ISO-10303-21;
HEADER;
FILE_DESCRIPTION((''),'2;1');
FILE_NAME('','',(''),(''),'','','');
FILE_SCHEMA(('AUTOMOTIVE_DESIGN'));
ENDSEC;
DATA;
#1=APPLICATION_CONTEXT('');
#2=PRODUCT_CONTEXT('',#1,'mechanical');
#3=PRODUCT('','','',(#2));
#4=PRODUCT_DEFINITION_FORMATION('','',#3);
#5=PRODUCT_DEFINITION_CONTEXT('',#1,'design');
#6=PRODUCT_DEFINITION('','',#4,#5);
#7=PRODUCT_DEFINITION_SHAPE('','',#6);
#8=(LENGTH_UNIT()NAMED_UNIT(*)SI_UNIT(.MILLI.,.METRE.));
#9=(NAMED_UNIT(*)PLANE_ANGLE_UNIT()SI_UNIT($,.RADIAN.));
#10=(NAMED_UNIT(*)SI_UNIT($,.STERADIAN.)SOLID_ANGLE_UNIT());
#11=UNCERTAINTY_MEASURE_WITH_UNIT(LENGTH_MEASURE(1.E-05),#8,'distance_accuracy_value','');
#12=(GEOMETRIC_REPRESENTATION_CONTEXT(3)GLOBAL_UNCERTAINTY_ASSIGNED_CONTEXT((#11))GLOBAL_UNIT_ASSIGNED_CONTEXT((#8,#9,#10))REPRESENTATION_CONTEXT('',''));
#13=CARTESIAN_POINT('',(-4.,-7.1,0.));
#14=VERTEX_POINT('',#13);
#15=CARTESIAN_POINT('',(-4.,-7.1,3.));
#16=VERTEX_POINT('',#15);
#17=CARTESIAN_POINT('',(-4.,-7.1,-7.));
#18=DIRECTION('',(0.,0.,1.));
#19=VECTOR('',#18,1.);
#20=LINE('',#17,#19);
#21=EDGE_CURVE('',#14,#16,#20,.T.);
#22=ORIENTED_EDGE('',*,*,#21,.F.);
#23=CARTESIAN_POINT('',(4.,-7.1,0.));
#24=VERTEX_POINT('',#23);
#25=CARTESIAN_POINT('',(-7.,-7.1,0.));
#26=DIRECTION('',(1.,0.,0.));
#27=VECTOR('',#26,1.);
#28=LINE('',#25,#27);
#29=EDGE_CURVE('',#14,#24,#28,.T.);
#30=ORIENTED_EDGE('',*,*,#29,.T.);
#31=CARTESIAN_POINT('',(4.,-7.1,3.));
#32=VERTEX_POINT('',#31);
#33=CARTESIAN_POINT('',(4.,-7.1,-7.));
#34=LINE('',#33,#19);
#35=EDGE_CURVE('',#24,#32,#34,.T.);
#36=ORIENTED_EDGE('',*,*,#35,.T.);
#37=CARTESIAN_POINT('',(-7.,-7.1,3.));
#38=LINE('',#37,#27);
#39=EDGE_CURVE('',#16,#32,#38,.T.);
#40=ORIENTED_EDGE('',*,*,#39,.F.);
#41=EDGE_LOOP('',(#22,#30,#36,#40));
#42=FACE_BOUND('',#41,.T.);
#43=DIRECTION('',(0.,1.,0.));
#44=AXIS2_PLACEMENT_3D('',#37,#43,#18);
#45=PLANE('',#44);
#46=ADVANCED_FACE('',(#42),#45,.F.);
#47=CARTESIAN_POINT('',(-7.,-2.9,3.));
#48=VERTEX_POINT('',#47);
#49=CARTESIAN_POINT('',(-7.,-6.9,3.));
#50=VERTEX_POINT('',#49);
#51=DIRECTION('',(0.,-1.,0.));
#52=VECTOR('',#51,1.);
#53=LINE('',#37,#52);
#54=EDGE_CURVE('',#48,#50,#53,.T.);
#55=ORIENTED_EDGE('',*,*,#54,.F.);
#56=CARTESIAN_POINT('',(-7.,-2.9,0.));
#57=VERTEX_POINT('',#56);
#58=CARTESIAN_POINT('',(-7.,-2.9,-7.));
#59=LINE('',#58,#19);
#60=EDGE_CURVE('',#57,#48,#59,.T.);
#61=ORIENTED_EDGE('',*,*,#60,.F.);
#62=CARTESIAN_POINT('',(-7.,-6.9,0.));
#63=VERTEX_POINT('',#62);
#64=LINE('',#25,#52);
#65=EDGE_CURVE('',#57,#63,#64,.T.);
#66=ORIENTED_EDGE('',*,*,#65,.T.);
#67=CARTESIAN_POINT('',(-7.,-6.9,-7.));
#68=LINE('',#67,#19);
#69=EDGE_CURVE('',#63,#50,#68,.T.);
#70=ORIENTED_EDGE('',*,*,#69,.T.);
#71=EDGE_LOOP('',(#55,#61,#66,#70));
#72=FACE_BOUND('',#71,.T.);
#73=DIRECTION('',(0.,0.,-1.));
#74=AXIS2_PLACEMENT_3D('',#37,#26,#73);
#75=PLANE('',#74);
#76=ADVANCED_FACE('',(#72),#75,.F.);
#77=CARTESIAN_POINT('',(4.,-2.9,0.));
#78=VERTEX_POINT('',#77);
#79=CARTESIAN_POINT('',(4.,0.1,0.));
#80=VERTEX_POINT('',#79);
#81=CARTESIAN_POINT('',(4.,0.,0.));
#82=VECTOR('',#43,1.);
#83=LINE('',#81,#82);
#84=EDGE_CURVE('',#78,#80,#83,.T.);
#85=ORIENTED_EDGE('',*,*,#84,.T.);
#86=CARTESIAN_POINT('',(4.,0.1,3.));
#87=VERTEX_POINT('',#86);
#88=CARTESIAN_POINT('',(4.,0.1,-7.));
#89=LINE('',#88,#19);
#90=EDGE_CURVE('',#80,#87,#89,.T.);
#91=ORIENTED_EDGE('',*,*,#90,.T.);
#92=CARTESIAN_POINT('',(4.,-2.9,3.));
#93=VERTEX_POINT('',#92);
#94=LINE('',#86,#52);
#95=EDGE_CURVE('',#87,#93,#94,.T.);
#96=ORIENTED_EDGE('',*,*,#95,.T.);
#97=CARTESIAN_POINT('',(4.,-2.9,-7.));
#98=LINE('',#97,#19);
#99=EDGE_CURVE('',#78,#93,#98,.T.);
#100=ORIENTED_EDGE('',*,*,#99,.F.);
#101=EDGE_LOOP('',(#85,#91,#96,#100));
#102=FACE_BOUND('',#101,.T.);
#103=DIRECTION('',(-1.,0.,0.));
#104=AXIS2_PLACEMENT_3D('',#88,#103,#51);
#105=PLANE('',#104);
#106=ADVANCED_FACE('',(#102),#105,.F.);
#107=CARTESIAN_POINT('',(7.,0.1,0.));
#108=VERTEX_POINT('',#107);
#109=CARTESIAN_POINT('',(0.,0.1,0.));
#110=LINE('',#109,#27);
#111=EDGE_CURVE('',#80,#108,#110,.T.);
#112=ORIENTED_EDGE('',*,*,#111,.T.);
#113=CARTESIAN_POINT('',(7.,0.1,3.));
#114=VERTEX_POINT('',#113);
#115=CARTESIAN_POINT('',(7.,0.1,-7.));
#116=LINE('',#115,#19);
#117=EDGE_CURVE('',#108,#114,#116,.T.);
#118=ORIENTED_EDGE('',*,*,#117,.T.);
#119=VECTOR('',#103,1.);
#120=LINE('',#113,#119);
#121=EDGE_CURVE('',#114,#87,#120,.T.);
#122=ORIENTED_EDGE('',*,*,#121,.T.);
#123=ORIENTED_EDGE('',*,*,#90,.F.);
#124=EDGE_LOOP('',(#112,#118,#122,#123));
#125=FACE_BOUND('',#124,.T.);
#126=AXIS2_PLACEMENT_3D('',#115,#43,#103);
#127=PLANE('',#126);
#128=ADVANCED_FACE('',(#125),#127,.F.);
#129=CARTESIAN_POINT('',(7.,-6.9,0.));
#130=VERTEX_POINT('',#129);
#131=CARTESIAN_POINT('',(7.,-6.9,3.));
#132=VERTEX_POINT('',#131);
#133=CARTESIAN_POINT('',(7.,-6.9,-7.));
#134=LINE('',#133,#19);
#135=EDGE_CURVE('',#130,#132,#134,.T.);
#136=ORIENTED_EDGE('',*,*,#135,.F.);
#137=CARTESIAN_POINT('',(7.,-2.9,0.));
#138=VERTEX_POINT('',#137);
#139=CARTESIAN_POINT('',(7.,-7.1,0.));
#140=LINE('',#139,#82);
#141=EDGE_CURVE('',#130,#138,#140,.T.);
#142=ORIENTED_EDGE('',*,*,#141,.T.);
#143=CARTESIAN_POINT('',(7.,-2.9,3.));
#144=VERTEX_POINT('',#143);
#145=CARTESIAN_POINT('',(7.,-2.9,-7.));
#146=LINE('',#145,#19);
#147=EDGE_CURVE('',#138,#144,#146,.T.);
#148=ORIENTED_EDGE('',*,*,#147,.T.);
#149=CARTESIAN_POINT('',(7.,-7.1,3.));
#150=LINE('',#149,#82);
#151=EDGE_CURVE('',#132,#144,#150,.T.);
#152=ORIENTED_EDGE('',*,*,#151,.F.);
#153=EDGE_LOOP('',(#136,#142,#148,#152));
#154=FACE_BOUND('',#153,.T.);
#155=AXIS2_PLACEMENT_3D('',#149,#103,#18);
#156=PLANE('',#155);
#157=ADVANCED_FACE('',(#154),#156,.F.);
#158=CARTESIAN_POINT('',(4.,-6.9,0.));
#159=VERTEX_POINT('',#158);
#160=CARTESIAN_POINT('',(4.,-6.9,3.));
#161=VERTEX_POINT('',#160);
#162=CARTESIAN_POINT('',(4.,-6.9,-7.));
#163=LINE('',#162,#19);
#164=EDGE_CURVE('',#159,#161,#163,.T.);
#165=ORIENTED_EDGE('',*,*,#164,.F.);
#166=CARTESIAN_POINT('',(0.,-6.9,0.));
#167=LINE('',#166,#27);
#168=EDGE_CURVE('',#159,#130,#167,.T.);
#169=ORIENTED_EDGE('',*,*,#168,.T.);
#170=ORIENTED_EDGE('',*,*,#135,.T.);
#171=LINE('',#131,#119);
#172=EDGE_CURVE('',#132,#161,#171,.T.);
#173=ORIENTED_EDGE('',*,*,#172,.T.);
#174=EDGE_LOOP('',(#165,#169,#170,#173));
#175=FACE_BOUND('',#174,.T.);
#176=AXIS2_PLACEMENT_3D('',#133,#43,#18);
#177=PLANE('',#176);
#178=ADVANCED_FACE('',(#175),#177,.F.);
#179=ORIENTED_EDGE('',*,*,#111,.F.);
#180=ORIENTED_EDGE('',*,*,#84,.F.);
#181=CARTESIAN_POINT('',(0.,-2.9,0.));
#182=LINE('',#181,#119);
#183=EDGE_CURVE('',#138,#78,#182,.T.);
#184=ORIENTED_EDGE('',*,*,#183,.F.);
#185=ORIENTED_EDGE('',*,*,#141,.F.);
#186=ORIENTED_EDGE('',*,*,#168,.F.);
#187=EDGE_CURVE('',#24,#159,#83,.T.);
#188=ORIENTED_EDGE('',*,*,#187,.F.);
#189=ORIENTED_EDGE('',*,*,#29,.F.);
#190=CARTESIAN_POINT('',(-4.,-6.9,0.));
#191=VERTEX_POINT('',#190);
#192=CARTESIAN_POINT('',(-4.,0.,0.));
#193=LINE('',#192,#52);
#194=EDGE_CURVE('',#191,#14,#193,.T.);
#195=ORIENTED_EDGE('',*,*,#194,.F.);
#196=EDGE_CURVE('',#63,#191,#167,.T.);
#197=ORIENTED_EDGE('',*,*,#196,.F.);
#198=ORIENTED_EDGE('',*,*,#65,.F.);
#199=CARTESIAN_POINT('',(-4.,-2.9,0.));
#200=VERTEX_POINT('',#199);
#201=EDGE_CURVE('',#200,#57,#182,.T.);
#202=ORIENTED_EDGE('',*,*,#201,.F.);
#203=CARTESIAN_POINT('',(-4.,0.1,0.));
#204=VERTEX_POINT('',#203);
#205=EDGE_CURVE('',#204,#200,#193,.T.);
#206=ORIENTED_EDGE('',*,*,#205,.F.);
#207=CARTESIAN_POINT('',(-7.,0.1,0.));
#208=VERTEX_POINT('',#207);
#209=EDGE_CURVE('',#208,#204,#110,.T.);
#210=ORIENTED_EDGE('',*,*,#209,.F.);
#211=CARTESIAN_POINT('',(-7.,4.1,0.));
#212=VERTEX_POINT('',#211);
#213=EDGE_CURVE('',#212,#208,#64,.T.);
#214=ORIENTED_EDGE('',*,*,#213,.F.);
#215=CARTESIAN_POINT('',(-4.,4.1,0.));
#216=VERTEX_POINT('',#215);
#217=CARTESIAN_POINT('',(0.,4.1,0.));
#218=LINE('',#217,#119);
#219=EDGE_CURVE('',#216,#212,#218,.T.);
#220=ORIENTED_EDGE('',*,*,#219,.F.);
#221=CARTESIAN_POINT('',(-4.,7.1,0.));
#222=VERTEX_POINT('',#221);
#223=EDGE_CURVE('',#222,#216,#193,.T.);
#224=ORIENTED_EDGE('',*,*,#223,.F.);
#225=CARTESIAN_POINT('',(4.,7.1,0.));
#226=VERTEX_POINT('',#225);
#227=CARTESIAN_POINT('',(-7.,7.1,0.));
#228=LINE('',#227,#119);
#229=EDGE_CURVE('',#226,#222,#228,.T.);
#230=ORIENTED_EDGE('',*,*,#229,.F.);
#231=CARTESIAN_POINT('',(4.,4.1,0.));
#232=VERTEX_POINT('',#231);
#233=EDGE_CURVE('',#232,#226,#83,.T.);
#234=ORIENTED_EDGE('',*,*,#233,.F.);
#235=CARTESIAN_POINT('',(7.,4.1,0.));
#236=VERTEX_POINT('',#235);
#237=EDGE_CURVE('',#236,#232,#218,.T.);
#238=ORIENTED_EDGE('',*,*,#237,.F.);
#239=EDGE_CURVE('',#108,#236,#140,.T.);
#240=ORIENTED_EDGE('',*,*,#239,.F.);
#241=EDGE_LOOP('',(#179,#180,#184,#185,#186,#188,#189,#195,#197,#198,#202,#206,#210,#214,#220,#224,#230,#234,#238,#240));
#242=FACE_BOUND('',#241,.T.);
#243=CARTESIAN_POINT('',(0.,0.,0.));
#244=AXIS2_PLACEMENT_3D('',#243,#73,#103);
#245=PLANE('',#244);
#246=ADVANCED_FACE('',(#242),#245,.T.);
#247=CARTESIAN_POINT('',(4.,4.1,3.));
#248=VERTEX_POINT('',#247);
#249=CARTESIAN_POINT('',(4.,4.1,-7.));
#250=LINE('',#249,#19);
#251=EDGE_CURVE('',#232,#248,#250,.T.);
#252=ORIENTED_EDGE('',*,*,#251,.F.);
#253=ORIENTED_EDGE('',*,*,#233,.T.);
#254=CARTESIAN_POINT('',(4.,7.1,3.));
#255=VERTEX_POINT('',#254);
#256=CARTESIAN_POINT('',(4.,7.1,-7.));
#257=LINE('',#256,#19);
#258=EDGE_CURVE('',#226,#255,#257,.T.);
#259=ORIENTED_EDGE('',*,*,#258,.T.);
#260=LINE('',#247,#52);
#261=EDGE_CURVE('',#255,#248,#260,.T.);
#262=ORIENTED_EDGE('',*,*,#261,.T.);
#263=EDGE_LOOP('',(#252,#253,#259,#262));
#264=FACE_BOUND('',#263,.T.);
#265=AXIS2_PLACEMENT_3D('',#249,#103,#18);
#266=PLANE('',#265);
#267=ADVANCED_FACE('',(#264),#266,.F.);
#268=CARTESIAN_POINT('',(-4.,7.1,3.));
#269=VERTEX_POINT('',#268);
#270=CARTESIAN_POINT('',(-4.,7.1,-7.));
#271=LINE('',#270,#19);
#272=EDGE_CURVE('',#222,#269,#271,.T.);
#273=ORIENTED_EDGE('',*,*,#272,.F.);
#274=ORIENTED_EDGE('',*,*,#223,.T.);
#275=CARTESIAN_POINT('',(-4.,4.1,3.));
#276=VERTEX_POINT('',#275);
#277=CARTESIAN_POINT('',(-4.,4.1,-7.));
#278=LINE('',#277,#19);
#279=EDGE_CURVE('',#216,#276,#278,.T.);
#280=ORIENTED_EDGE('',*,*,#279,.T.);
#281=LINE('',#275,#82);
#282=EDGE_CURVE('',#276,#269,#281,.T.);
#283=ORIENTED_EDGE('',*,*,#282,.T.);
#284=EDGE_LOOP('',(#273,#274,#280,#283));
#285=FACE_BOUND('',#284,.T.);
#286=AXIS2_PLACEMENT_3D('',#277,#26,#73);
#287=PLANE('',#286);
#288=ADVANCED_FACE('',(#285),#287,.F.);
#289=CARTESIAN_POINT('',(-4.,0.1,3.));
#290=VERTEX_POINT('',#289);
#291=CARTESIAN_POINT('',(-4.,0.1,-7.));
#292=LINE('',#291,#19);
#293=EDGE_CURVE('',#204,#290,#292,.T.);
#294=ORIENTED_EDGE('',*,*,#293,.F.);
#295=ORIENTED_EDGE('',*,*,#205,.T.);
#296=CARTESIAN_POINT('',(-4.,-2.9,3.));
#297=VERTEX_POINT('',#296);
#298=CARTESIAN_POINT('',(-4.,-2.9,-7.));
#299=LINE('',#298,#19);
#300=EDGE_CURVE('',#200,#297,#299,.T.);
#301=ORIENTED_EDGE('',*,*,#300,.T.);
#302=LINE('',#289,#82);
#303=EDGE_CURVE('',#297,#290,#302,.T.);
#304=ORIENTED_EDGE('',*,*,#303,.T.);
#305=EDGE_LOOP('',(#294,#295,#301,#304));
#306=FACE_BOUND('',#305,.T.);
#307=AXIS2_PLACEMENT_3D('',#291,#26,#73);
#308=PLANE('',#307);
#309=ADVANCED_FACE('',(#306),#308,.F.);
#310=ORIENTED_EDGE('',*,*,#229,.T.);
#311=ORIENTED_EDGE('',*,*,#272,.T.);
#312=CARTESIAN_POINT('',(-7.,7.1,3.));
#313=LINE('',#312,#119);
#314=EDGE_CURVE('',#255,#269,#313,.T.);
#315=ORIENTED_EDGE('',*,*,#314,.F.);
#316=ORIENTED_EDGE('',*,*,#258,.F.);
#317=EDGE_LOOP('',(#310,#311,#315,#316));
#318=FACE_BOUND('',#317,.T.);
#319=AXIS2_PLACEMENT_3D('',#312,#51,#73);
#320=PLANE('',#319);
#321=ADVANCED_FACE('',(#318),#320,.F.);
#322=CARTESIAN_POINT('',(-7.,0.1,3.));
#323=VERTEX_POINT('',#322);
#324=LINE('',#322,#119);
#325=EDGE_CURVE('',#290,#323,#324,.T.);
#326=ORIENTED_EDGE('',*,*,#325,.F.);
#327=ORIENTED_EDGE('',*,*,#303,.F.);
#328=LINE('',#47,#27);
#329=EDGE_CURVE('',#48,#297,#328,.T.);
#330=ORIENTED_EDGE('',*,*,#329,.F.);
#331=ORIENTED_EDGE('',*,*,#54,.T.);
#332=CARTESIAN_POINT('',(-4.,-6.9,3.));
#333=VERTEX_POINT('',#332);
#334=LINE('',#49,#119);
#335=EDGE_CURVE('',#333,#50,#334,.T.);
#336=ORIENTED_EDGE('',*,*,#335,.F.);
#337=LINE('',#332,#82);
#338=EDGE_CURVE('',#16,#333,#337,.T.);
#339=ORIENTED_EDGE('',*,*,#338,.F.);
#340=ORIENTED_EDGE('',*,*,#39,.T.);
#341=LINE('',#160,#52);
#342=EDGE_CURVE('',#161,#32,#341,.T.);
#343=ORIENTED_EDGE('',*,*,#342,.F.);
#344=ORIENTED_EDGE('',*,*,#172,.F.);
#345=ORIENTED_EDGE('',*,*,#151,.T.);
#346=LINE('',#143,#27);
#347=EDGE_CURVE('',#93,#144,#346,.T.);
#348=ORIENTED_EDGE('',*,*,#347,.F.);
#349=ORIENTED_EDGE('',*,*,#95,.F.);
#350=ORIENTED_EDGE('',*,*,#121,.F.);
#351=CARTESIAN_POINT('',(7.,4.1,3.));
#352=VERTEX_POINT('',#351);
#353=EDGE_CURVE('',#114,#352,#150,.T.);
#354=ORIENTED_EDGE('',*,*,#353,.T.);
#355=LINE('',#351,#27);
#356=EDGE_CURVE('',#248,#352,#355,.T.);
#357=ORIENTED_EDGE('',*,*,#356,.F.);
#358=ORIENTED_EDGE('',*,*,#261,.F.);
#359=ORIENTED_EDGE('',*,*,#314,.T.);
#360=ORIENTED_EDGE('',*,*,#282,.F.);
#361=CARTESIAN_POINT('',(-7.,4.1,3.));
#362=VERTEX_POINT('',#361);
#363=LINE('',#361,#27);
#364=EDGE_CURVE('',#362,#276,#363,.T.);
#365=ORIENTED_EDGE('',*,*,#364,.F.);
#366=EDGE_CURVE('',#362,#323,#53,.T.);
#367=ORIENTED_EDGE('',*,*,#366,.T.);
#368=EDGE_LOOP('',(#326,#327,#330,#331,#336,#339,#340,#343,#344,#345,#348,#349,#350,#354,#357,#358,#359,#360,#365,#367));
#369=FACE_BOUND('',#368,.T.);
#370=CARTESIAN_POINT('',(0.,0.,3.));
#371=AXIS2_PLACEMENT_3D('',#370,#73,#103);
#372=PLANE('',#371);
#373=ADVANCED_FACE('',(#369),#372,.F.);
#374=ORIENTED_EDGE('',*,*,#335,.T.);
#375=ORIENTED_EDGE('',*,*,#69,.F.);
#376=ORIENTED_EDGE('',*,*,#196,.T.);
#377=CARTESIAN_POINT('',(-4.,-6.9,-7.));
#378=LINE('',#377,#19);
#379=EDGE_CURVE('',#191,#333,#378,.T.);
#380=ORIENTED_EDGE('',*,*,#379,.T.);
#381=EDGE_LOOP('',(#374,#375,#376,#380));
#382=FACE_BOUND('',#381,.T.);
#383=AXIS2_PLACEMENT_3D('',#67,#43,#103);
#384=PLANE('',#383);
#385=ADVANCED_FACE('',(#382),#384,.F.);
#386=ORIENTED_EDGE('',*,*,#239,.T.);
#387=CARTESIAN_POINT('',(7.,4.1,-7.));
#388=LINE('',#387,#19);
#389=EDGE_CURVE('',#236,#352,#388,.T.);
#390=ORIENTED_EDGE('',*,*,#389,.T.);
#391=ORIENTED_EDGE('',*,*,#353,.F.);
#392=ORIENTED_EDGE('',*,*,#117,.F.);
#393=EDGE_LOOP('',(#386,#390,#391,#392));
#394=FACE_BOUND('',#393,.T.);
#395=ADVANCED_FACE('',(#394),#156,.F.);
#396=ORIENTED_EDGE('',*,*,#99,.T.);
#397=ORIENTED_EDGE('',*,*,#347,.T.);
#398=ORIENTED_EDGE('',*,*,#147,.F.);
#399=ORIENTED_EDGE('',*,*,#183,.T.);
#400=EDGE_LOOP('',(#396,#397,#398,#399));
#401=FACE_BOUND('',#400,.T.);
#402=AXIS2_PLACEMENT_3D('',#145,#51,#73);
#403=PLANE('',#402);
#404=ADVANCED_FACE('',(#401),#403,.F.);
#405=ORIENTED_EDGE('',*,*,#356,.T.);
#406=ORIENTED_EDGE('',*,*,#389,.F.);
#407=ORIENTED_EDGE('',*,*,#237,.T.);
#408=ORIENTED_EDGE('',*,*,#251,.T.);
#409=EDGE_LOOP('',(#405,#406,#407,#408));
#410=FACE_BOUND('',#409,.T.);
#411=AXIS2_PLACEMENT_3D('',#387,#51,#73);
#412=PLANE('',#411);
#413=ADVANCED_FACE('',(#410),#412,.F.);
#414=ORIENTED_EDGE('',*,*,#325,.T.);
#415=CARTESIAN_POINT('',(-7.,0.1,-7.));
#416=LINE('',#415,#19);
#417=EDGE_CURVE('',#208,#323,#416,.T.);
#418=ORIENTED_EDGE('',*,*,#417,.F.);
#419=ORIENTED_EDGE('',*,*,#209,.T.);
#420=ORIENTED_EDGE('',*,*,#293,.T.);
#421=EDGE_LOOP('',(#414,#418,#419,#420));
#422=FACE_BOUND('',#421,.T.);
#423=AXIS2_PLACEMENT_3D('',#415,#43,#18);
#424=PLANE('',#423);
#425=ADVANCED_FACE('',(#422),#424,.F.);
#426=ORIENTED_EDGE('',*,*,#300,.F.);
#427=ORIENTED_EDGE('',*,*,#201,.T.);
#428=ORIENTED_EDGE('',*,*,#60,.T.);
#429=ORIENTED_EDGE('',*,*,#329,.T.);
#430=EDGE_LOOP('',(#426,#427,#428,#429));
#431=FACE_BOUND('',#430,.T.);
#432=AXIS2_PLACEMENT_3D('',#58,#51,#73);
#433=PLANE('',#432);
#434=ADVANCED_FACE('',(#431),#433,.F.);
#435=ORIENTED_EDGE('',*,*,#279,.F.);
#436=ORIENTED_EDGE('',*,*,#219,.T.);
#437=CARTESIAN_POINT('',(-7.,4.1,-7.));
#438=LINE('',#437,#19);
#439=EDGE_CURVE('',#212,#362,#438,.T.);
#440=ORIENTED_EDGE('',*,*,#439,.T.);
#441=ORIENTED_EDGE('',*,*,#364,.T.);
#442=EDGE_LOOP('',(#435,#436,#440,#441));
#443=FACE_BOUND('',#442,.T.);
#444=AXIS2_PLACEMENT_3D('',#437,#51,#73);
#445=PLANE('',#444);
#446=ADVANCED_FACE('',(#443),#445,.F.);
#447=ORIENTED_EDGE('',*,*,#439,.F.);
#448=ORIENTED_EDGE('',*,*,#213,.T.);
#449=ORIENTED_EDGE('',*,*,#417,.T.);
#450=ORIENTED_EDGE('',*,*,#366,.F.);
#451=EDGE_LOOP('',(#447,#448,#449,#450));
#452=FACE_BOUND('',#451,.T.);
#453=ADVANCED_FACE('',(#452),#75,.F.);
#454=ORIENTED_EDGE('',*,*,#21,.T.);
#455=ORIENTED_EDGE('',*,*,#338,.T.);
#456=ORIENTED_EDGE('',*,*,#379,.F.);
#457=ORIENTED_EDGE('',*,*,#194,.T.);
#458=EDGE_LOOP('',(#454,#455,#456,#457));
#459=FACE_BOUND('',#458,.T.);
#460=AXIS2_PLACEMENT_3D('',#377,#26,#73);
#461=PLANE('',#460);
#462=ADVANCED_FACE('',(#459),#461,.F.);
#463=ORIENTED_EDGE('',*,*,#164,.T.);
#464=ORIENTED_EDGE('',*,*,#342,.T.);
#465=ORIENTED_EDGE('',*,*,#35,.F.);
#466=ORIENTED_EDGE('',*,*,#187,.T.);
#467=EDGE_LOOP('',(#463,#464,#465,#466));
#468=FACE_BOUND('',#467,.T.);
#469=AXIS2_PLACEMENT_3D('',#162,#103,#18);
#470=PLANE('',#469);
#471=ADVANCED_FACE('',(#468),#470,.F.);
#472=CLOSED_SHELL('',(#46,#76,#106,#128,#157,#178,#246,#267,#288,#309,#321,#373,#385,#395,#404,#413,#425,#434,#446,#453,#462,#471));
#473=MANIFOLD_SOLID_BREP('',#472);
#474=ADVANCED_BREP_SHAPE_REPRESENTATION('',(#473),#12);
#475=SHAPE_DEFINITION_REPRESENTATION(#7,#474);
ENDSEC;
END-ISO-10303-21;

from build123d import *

# Parameters (mm, degrees)
SKETCH1_W           = 14
SKETCH1_H           = 14.2
BOSS_EXTRUDE1_DEPTH = 3
SKETCH2_W           = 3
SKETCH2_H           = 3
SKETCH2_H_2         = 0.2
CUT_EXTRUDE1_DEPTH  = 10
SKETCH4_W           = 3
SKETCH4_H           = 3
SKETCH4_H_2         = 0.2
CUT_EXTRUDE2_DEPTH  = 10


with BuildPart() as part:
    # Sketch1 → Boss-Extrude1 (new body)
    with BuildSketch(Plane.XY):
        Rectangle(SKETCH1_W, SKETCH1_H)
    extrude(amount=BOSS_EXTRUDE1_DEPTH)

    # Sketch2 → Cut-Extrude1 (cut)
    with BuildSketch(Plane.XY.offset(3)):
        with Locations((-5.5, 5.6)):
            Rectangle(SKETCH2_W, SKETCH2_H)
        with Locations((-5.5, -1.4)):
            Rectangle(SKETCH2_W, SKETCH2_H)
        with Locations((-5.5, -7)):
            Rectangle(SKETCH2_W, SKETCH2_H_2)
    extrude(amount=-CUT_EXTRUDE1_DEPTH, mode=Mode.SUBTRACT)

    # Sketch4 → Cut-Extrude2 (cut)
    with BuildSketch(Plane.XY.offset(3)):
        with Locations((5.5, 5.6)):
            Rectangle(SKETCH4_W, SKETCH4_H)
        with Locations((5.5, -1.4)):
            Rectangle(SKETCH4_W, SKETCH4_H)
        with Locations((5.5, -7)):
            Rectangle(SKETCH4_W, SKETCH4_H_2)
    extrude(amount=-CUT_EXTRUDE2_DEPTH, mode=Mode.SUBTRACT)


solid = part.part
